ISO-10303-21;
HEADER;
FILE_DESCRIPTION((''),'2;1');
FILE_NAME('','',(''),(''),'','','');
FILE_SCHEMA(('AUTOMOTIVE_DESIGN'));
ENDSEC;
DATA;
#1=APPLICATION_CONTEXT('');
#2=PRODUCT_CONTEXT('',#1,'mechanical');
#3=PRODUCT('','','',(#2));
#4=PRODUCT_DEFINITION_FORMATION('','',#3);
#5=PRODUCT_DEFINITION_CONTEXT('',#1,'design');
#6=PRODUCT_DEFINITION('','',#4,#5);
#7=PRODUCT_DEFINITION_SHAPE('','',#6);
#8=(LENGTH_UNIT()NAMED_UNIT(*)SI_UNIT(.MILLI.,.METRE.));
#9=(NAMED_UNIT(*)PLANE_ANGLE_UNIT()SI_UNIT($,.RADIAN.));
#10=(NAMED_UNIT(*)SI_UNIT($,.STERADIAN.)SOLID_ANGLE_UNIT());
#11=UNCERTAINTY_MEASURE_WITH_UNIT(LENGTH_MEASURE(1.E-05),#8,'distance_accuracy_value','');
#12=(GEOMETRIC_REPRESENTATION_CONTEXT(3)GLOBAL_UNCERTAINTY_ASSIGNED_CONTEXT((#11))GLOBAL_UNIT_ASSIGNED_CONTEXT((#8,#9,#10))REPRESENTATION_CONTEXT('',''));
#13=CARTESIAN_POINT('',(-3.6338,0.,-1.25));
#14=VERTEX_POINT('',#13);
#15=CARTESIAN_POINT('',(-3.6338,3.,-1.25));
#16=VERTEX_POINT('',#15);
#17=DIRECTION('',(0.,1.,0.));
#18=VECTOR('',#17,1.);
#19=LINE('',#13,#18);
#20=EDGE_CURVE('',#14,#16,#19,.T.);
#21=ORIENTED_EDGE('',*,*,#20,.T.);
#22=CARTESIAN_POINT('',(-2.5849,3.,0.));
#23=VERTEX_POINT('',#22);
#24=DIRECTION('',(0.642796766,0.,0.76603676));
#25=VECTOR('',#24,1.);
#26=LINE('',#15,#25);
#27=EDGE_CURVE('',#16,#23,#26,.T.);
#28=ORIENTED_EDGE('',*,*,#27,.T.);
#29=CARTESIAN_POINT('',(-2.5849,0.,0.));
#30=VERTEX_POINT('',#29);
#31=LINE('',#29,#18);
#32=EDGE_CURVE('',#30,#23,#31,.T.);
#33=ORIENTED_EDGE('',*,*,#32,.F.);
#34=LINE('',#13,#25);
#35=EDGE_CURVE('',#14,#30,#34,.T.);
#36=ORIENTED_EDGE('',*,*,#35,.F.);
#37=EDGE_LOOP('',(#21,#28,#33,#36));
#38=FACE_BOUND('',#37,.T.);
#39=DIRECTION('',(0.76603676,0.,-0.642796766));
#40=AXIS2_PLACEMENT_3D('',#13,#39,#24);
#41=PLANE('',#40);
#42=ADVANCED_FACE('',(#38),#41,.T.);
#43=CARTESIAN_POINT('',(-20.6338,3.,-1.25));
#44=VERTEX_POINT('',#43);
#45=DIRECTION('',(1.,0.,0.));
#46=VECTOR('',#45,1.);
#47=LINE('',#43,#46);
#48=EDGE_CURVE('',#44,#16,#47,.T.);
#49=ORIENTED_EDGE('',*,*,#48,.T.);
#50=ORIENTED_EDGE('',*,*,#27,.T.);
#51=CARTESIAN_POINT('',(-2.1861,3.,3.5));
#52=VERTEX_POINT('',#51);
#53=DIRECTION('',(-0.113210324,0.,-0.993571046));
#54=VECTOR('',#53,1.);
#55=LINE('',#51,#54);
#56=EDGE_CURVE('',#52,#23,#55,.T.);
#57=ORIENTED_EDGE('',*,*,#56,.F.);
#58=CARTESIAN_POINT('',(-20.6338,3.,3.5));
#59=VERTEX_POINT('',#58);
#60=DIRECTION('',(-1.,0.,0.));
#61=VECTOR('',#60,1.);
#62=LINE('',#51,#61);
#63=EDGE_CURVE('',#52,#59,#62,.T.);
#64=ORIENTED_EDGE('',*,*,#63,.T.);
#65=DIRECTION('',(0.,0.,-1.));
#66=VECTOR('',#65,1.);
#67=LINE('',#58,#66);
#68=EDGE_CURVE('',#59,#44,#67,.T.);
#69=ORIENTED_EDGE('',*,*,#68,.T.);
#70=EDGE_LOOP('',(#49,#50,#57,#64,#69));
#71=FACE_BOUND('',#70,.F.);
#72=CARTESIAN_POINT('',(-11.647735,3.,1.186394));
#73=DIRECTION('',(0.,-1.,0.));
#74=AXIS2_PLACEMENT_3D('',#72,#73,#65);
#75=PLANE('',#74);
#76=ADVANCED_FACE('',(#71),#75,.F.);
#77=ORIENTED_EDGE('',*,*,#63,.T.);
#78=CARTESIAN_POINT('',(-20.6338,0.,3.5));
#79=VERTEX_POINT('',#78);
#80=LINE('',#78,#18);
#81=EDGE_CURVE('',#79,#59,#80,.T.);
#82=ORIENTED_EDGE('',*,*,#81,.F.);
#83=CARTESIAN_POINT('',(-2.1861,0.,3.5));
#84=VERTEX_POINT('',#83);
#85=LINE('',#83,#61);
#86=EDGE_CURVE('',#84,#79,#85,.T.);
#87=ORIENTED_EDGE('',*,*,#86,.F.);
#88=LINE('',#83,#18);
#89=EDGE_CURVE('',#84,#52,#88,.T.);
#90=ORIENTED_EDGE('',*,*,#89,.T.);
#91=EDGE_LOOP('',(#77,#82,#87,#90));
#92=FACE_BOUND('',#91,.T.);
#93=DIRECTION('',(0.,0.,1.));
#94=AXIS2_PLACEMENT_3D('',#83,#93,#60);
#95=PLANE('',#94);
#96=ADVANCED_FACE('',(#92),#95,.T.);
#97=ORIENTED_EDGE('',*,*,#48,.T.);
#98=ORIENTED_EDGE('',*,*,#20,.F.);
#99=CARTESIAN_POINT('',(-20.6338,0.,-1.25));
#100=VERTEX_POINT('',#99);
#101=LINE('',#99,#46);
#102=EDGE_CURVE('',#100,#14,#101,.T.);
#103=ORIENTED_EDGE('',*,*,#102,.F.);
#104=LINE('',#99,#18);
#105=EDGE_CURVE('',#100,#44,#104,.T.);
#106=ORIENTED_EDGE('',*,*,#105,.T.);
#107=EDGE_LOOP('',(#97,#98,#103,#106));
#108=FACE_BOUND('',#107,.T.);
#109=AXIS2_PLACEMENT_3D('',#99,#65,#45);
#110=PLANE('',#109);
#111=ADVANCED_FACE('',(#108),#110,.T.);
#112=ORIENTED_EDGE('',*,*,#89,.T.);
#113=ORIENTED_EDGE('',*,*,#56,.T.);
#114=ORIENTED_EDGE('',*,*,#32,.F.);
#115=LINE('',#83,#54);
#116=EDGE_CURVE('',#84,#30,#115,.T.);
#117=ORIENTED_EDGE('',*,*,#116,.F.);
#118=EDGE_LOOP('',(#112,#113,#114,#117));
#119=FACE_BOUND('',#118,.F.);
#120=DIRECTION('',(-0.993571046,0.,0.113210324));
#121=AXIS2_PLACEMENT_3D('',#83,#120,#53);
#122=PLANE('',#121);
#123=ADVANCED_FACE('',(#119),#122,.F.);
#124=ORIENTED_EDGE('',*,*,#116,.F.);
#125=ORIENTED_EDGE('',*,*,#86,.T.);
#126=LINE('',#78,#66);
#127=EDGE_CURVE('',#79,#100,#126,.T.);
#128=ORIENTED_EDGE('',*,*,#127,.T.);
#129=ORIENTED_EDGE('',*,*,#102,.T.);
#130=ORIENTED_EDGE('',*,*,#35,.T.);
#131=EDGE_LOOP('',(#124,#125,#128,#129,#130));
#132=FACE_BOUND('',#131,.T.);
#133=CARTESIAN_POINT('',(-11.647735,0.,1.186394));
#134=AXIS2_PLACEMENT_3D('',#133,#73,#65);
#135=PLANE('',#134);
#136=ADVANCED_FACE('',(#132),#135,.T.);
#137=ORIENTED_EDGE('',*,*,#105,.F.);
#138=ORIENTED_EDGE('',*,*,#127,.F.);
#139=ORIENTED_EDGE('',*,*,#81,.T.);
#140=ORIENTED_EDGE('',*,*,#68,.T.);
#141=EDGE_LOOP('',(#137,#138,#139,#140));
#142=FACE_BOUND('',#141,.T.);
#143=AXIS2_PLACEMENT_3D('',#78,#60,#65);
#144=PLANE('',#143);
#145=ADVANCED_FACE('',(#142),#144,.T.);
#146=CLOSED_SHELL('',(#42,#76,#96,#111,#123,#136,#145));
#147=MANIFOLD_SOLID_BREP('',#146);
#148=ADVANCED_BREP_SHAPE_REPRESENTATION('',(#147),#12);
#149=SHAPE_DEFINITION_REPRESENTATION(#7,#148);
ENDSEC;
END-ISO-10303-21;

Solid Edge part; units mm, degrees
sketch "Sketch1" plane through (0, 0, 0) normal (0, -1, 0) x (1, 0, 0)
  line L0 (-20.6338, -1.25) -> (-3.6338, -1.25)
  line L1 (-3.6338, -1.25) -> (-2.5849, 0)
  line L2 (-2.1861, 3.5) -> (-2.5849, 0)
  line L3 (-2.1861, 3.5) -> (-20.6338, 3.5)
  line L4 (-20.6338, 3.5) -> (-20.6338, -1.25)
extrude "Protrusion1" add sketch "Sketch1" against normal blind 3
properties material "Stainless Steel, 420"
